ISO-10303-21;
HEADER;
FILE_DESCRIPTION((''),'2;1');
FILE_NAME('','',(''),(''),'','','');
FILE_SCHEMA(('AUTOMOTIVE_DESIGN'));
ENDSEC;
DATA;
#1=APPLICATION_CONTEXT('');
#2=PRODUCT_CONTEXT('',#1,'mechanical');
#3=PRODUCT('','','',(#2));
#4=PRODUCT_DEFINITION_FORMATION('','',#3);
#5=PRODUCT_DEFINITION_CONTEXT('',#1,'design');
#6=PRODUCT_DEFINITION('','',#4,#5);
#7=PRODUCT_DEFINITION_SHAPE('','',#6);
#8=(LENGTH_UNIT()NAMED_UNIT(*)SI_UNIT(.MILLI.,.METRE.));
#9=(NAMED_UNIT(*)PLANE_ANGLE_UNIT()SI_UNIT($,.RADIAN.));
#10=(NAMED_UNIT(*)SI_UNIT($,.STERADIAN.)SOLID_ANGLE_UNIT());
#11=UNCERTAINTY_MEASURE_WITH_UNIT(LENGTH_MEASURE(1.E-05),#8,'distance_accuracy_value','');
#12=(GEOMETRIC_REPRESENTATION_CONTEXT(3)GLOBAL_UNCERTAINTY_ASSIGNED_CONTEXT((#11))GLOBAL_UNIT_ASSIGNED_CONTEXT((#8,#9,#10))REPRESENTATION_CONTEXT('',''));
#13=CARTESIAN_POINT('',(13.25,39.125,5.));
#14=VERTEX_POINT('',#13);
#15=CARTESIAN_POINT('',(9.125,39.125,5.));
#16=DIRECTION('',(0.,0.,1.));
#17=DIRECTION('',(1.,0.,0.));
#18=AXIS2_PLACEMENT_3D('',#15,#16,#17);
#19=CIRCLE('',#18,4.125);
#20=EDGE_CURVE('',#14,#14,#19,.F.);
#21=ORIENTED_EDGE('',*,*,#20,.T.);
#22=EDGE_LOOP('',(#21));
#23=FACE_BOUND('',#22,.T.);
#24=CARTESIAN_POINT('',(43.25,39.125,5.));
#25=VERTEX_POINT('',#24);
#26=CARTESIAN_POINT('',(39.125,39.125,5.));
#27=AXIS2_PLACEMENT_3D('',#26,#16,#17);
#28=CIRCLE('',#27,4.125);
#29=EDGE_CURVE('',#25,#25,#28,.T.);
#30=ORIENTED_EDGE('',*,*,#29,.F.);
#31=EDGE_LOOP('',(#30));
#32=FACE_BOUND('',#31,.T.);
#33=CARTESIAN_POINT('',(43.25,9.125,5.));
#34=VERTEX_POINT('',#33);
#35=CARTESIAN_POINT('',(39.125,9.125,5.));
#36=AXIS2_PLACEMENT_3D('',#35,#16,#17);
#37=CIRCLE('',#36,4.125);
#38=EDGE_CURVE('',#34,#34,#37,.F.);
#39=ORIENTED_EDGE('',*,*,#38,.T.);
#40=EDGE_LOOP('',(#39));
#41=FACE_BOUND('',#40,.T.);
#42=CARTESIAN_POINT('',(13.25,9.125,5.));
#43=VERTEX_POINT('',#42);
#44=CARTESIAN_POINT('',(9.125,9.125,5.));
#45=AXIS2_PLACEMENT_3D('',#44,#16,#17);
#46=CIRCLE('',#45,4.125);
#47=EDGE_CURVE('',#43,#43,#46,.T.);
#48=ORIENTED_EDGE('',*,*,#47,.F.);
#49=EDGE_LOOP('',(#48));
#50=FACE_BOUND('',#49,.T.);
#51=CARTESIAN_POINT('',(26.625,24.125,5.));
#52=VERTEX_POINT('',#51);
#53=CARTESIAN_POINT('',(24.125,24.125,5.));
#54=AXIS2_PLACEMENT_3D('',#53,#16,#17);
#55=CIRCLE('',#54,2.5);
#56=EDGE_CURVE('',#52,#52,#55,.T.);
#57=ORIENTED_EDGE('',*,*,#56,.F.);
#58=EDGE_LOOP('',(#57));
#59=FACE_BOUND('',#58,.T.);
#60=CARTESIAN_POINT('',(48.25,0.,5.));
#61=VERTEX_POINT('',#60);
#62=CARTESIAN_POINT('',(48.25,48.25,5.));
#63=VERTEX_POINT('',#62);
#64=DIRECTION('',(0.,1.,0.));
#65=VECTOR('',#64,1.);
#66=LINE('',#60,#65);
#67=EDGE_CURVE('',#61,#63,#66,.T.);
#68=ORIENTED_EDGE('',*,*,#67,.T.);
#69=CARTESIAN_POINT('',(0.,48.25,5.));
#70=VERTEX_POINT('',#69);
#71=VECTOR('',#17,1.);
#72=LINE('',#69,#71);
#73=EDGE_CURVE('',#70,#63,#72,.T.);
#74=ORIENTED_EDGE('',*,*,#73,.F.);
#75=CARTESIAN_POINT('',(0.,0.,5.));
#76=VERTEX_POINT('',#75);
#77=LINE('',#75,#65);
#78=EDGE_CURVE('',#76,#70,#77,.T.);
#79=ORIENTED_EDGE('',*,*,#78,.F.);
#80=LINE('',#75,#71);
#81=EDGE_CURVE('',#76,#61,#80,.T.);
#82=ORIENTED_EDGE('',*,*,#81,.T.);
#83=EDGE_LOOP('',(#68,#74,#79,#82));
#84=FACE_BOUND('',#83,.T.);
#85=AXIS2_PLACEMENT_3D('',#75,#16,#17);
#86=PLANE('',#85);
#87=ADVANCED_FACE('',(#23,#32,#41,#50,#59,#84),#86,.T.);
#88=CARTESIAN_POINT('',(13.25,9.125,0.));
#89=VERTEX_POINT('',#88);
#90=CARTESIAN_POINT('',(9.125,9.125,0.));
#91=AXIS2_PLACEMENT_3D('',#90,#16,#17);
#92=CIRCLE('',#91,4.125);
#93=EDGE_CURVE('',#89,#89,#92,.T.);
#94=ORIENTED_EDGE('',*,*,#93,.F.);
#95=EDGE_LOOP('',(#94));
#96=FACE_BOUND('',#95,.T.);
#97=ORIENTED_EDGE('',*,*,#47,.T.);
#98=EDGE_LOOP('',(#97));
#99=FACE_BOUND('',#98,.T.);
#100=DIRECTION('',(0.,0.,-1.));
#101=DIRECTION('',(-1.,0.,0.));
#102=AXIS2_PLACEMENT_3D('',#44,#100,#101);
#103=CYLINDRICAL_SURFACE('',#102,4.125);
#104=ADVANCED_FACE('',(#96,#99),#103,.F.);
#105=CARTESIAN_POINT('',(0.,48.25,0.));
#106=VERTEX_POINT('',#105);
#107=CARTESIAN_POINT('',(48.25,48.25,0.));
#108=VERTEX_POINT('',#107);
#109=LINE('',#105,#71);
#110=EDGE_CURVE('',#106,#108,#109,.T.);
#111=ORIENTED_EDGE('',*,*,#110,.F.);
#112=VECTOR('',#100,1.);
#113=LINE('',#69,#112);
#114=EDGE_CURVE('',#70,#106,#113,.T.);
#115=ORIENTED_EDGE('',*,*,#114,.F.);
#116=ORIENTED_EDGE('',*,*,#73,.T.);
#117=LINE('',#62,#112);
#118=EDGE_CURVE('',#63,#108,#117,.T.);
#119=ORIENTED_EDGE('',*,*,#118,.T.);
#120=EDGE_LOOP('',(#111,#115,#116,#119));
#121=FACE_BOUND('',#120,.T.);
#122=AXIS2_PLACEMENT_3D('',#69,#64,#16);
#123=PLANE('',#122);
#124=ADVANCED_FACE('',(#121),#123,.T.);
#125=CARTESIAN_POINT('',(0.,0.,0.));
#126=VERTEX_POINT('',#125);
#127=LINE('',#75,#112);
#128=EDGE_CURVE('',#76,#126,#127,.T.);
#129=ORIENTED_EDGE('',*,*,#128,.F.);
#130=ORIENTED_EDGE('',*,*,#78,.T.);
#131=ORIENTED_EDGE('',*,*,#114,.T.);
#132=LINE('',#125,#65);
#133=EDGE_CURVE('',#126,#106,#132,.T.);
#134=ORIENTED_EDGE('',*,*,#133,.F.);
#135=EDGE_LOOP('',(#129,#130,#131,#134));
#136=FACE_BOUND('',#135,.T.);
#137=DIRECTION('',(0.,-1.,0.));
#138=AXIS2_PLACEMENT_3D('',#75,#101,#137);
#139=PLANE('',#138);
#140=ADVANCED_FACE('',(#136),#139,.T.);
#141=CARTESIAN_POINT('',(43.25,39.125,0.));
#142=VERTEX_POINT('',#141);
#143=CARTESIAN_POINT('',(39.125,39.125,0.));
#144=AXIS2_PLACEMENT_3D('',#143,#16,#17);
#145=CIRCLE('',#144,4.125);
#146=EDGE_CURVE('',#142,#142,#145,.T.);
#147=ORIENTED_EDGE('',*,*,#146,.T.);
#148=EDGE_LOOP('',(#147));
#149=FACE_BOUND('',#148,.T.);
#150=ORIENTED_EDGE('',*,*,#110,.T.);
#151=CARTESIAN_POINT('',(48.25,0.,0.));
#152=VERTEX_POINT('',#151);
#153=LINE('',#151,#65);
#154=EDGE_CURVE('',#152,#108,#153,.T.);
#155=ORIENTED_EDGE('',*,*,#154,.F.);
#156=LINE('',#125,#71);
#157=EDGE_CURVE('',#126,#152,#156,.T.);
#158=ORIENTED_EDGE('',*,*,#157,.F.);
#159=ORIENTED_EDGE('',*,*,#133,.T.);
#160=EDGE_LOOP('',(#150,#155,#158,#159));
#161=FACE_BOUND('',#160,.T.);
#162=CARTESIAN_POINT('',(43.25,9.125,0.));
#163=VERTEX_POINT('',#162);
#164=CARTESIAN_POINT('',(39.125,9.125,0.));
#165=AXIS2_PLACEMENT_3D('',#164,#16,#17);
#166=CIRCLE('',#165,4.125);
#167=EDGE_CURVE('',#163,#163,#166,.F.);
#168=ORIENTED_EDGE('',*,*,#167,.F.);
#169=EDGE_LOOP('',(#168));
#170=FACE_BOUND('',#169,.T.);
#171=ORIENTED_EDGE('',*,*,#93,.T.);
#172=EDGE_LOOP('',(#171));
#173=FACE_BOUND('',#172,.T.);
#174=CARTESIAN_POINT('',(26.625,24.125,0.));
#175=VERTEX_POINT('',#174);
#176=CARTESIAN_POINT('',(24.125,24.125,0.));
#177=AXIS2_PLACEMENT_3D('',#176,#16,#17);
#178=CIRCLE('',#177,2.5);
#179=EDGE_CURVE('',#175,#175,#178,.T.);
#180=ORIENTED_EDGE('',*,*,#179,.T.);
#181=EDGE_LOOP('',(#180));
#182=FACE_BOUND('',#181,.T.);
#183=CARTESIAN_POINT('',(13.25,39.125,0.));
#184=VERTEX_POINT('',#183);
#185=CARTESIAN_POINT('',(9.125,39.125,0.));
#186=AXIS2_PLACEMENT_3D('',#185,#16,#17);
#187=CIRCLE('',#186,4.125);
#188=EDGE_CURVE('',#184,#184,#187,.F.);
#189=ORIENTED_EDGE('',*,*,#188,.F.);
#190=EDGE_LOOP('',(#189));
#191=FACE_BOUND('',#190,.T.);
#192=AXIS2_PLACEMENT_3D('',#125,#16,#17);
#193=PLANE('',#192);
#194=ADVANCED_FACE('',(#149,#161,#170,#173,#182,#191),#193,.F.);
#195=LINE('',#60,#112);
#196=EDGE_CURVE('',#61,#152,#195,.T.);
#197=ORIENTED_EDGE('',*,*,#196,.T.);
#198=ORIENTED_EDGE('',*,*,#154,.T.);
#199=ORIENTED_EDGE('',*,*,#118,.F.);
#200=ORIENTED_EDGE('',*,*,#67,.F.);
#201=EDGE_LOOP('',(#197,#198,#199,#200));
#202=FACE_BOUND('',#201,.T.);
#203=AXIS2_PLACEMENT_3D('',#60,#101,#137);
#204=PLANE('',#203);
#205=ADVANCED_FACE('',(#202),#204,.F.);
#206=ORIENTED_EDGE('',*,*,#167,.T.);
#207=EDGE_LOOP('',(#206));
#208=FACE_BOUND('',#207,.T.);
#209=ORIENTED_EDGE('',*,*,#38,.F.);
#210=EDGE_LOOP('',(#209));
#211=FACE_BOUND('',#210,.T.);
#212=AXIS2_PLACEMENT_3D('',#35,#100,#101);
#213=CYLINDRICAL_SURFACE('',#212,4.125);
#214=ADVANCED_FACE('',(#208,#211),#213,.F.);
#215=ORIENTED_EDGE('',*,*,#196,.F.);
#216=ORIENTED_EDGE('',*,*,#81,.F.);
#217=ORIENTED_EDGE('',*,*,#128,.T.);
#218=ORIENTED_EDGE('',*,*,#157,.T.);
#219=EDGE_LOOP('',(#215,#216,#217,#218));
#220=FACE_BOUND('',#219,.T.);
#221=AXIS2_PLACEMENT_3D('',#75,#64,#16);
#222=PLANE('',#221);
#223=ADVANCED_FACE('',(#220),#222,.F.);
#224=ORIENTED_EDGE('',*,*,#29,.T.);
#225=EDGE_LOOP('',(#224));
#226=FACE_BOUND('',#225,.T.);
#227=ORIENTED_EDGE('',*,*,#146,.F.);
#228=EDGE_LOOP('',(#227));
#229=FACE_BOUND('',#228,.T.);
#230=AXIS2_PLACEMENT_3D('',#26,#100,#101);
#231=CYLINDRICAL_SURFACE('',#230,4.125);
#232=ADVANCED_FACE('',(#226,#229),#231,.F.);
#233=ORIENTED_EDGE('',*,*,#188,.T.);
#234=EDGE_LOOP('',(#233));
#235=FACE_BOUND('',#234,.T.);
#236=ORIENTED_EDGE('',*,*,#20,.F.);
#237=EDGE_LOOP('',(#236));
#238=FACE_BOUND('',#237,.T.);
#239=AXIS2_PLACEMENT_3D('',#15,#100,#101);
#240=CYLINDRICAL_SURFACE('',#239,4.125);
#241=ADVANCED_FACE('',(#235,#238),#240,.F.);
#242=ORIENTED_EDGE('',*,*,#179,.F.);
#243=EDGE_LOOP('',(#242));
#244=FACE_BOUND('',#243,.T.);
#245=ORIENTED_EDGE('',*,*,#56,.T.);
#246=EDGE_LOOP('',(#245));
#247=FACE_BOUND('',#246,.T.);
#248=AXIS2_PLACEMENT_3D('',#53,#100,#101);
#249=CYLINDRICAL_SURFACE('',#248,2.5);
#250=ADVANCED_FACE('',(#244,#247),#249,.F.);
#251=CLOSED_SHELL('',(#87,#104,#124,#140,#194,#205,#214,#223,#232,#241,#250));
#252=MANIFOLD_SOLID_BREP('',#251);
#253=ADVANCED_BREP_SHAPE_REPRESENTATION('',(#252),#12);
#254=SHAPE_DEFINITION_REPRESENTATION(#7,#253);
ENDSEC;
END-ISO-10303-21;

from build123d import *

# Parameters (mm, degrees)
SKETCH1_W           = 48.25
SKETCH1_H           = 48.25
SKETCH1_R           = 2.5
SKETCH1_R_2         = 4.125
BOSS_EXTRUDE1_DEPTH = 5


with BuildPart() as part:
    # Sketch1 → Boss-Extrude1 (new body)
    # profile 1 of 5: a face of its own
    with BuildSketch(Plane.XY):
        with Locations((24.125, 24.125)):
            Rectangle(SKETCH1_W, SKETCH1_H)
        with Locations((24.125, 24.125)):
            Circle(SKETCH1_R, mode=Mode.SUBTRACT)
        Polygon((34.895909278, 1.8), (30.666818556, 9.125), (34.895909278, 16.45), (43.354090722, 16.45), (47.583181444, 9.125), (43.354090722, 1.8), align=None, mode=Mode.SUBTRACT)
        Polygon((13.354090722, 1.8), (17.583181444, 9.125), (13.354090722, 16.45), (4.895909278, 16.45), (0.666818556, 9.125), (4.895909278, 1.8), align=None, mode=Mode.SUBTRACT)
        Polygon((34.895909278, 31.8), (43.354090722, 31.8), (47.583181444, 39.125), (43.354090722, 46.45), (34.895909278, 46.45), (30.666818556, 39.125), align=None, mode=Mode.SUBTRACT)
        Polygon((17.583181444, 39.125), (13.354090722, 31.8), (4.895909278, 31.8), (0.666818556, 39.125), (4.895909278, 46.45), (13.354090722, 46.45), align=None, mode=Mode.SUBTRACT)
    # profile 2 of 5: a face of its own
    with BuildSketch(Plane.XY):
        Polygon((30.666818556, 39.125), (34.895909278, 31.8), (43.354090722, 31.8), (47.583181444, 39.125), (43.354090722, 46.45), (34.895909278, 46.45), align=None)
        with Locations((39.125, 39.125)):
            Circle(SKETCH1_R_2, mode=Mode.SUBTRACT)
    # profile 3 of 5: a face of its own
    with BuildSketch(Plane.XY):
        Polygon((30.666818556, 9.125), (34.895909278, 16.45), (43.354090722, 16.45), (47.583181444, 9.125), (43.354090722, 1.8), (34.895909278, 1.8), align=None)
        with Locations((39.125, 9.125)):
            Circle(SKETCH1_R_2, mode=Mode.SUBTRACT)
    # profile 4 of 5: a face of its own
    with BuildSketch(Plane.XY):
        Polygon((4.895909278, 1.8), (13.354090722, 1.8), (17.583181444, 9.125), (13.354090722, 16.45), (4.895909278, 16.45), (0.666818556, 9.125), align=None)
        with Locations((9.125, 9.125)):
            Circle(SKETCH1_R_2, mode=Mode.SUBTRACT)
    # profile 5 of 5: a face of its own
    with BuildSketch(Plane.XY):
        Polygon((13.354090722, 31.8), (4.895909278, 31.8), (0.666818556, 39.125), (4.895909278, 46.45), (13.354090722, 46.45), (17.583181444, 39.125), align=None)
        with Locations((9.125, 39.125)):
            Circle(SKETCH1_R_2, mode=Mode.SUBTRACT)
    extrude(amount=BOSS_EXTRUDE1_DEPTH)


solid = part.part
